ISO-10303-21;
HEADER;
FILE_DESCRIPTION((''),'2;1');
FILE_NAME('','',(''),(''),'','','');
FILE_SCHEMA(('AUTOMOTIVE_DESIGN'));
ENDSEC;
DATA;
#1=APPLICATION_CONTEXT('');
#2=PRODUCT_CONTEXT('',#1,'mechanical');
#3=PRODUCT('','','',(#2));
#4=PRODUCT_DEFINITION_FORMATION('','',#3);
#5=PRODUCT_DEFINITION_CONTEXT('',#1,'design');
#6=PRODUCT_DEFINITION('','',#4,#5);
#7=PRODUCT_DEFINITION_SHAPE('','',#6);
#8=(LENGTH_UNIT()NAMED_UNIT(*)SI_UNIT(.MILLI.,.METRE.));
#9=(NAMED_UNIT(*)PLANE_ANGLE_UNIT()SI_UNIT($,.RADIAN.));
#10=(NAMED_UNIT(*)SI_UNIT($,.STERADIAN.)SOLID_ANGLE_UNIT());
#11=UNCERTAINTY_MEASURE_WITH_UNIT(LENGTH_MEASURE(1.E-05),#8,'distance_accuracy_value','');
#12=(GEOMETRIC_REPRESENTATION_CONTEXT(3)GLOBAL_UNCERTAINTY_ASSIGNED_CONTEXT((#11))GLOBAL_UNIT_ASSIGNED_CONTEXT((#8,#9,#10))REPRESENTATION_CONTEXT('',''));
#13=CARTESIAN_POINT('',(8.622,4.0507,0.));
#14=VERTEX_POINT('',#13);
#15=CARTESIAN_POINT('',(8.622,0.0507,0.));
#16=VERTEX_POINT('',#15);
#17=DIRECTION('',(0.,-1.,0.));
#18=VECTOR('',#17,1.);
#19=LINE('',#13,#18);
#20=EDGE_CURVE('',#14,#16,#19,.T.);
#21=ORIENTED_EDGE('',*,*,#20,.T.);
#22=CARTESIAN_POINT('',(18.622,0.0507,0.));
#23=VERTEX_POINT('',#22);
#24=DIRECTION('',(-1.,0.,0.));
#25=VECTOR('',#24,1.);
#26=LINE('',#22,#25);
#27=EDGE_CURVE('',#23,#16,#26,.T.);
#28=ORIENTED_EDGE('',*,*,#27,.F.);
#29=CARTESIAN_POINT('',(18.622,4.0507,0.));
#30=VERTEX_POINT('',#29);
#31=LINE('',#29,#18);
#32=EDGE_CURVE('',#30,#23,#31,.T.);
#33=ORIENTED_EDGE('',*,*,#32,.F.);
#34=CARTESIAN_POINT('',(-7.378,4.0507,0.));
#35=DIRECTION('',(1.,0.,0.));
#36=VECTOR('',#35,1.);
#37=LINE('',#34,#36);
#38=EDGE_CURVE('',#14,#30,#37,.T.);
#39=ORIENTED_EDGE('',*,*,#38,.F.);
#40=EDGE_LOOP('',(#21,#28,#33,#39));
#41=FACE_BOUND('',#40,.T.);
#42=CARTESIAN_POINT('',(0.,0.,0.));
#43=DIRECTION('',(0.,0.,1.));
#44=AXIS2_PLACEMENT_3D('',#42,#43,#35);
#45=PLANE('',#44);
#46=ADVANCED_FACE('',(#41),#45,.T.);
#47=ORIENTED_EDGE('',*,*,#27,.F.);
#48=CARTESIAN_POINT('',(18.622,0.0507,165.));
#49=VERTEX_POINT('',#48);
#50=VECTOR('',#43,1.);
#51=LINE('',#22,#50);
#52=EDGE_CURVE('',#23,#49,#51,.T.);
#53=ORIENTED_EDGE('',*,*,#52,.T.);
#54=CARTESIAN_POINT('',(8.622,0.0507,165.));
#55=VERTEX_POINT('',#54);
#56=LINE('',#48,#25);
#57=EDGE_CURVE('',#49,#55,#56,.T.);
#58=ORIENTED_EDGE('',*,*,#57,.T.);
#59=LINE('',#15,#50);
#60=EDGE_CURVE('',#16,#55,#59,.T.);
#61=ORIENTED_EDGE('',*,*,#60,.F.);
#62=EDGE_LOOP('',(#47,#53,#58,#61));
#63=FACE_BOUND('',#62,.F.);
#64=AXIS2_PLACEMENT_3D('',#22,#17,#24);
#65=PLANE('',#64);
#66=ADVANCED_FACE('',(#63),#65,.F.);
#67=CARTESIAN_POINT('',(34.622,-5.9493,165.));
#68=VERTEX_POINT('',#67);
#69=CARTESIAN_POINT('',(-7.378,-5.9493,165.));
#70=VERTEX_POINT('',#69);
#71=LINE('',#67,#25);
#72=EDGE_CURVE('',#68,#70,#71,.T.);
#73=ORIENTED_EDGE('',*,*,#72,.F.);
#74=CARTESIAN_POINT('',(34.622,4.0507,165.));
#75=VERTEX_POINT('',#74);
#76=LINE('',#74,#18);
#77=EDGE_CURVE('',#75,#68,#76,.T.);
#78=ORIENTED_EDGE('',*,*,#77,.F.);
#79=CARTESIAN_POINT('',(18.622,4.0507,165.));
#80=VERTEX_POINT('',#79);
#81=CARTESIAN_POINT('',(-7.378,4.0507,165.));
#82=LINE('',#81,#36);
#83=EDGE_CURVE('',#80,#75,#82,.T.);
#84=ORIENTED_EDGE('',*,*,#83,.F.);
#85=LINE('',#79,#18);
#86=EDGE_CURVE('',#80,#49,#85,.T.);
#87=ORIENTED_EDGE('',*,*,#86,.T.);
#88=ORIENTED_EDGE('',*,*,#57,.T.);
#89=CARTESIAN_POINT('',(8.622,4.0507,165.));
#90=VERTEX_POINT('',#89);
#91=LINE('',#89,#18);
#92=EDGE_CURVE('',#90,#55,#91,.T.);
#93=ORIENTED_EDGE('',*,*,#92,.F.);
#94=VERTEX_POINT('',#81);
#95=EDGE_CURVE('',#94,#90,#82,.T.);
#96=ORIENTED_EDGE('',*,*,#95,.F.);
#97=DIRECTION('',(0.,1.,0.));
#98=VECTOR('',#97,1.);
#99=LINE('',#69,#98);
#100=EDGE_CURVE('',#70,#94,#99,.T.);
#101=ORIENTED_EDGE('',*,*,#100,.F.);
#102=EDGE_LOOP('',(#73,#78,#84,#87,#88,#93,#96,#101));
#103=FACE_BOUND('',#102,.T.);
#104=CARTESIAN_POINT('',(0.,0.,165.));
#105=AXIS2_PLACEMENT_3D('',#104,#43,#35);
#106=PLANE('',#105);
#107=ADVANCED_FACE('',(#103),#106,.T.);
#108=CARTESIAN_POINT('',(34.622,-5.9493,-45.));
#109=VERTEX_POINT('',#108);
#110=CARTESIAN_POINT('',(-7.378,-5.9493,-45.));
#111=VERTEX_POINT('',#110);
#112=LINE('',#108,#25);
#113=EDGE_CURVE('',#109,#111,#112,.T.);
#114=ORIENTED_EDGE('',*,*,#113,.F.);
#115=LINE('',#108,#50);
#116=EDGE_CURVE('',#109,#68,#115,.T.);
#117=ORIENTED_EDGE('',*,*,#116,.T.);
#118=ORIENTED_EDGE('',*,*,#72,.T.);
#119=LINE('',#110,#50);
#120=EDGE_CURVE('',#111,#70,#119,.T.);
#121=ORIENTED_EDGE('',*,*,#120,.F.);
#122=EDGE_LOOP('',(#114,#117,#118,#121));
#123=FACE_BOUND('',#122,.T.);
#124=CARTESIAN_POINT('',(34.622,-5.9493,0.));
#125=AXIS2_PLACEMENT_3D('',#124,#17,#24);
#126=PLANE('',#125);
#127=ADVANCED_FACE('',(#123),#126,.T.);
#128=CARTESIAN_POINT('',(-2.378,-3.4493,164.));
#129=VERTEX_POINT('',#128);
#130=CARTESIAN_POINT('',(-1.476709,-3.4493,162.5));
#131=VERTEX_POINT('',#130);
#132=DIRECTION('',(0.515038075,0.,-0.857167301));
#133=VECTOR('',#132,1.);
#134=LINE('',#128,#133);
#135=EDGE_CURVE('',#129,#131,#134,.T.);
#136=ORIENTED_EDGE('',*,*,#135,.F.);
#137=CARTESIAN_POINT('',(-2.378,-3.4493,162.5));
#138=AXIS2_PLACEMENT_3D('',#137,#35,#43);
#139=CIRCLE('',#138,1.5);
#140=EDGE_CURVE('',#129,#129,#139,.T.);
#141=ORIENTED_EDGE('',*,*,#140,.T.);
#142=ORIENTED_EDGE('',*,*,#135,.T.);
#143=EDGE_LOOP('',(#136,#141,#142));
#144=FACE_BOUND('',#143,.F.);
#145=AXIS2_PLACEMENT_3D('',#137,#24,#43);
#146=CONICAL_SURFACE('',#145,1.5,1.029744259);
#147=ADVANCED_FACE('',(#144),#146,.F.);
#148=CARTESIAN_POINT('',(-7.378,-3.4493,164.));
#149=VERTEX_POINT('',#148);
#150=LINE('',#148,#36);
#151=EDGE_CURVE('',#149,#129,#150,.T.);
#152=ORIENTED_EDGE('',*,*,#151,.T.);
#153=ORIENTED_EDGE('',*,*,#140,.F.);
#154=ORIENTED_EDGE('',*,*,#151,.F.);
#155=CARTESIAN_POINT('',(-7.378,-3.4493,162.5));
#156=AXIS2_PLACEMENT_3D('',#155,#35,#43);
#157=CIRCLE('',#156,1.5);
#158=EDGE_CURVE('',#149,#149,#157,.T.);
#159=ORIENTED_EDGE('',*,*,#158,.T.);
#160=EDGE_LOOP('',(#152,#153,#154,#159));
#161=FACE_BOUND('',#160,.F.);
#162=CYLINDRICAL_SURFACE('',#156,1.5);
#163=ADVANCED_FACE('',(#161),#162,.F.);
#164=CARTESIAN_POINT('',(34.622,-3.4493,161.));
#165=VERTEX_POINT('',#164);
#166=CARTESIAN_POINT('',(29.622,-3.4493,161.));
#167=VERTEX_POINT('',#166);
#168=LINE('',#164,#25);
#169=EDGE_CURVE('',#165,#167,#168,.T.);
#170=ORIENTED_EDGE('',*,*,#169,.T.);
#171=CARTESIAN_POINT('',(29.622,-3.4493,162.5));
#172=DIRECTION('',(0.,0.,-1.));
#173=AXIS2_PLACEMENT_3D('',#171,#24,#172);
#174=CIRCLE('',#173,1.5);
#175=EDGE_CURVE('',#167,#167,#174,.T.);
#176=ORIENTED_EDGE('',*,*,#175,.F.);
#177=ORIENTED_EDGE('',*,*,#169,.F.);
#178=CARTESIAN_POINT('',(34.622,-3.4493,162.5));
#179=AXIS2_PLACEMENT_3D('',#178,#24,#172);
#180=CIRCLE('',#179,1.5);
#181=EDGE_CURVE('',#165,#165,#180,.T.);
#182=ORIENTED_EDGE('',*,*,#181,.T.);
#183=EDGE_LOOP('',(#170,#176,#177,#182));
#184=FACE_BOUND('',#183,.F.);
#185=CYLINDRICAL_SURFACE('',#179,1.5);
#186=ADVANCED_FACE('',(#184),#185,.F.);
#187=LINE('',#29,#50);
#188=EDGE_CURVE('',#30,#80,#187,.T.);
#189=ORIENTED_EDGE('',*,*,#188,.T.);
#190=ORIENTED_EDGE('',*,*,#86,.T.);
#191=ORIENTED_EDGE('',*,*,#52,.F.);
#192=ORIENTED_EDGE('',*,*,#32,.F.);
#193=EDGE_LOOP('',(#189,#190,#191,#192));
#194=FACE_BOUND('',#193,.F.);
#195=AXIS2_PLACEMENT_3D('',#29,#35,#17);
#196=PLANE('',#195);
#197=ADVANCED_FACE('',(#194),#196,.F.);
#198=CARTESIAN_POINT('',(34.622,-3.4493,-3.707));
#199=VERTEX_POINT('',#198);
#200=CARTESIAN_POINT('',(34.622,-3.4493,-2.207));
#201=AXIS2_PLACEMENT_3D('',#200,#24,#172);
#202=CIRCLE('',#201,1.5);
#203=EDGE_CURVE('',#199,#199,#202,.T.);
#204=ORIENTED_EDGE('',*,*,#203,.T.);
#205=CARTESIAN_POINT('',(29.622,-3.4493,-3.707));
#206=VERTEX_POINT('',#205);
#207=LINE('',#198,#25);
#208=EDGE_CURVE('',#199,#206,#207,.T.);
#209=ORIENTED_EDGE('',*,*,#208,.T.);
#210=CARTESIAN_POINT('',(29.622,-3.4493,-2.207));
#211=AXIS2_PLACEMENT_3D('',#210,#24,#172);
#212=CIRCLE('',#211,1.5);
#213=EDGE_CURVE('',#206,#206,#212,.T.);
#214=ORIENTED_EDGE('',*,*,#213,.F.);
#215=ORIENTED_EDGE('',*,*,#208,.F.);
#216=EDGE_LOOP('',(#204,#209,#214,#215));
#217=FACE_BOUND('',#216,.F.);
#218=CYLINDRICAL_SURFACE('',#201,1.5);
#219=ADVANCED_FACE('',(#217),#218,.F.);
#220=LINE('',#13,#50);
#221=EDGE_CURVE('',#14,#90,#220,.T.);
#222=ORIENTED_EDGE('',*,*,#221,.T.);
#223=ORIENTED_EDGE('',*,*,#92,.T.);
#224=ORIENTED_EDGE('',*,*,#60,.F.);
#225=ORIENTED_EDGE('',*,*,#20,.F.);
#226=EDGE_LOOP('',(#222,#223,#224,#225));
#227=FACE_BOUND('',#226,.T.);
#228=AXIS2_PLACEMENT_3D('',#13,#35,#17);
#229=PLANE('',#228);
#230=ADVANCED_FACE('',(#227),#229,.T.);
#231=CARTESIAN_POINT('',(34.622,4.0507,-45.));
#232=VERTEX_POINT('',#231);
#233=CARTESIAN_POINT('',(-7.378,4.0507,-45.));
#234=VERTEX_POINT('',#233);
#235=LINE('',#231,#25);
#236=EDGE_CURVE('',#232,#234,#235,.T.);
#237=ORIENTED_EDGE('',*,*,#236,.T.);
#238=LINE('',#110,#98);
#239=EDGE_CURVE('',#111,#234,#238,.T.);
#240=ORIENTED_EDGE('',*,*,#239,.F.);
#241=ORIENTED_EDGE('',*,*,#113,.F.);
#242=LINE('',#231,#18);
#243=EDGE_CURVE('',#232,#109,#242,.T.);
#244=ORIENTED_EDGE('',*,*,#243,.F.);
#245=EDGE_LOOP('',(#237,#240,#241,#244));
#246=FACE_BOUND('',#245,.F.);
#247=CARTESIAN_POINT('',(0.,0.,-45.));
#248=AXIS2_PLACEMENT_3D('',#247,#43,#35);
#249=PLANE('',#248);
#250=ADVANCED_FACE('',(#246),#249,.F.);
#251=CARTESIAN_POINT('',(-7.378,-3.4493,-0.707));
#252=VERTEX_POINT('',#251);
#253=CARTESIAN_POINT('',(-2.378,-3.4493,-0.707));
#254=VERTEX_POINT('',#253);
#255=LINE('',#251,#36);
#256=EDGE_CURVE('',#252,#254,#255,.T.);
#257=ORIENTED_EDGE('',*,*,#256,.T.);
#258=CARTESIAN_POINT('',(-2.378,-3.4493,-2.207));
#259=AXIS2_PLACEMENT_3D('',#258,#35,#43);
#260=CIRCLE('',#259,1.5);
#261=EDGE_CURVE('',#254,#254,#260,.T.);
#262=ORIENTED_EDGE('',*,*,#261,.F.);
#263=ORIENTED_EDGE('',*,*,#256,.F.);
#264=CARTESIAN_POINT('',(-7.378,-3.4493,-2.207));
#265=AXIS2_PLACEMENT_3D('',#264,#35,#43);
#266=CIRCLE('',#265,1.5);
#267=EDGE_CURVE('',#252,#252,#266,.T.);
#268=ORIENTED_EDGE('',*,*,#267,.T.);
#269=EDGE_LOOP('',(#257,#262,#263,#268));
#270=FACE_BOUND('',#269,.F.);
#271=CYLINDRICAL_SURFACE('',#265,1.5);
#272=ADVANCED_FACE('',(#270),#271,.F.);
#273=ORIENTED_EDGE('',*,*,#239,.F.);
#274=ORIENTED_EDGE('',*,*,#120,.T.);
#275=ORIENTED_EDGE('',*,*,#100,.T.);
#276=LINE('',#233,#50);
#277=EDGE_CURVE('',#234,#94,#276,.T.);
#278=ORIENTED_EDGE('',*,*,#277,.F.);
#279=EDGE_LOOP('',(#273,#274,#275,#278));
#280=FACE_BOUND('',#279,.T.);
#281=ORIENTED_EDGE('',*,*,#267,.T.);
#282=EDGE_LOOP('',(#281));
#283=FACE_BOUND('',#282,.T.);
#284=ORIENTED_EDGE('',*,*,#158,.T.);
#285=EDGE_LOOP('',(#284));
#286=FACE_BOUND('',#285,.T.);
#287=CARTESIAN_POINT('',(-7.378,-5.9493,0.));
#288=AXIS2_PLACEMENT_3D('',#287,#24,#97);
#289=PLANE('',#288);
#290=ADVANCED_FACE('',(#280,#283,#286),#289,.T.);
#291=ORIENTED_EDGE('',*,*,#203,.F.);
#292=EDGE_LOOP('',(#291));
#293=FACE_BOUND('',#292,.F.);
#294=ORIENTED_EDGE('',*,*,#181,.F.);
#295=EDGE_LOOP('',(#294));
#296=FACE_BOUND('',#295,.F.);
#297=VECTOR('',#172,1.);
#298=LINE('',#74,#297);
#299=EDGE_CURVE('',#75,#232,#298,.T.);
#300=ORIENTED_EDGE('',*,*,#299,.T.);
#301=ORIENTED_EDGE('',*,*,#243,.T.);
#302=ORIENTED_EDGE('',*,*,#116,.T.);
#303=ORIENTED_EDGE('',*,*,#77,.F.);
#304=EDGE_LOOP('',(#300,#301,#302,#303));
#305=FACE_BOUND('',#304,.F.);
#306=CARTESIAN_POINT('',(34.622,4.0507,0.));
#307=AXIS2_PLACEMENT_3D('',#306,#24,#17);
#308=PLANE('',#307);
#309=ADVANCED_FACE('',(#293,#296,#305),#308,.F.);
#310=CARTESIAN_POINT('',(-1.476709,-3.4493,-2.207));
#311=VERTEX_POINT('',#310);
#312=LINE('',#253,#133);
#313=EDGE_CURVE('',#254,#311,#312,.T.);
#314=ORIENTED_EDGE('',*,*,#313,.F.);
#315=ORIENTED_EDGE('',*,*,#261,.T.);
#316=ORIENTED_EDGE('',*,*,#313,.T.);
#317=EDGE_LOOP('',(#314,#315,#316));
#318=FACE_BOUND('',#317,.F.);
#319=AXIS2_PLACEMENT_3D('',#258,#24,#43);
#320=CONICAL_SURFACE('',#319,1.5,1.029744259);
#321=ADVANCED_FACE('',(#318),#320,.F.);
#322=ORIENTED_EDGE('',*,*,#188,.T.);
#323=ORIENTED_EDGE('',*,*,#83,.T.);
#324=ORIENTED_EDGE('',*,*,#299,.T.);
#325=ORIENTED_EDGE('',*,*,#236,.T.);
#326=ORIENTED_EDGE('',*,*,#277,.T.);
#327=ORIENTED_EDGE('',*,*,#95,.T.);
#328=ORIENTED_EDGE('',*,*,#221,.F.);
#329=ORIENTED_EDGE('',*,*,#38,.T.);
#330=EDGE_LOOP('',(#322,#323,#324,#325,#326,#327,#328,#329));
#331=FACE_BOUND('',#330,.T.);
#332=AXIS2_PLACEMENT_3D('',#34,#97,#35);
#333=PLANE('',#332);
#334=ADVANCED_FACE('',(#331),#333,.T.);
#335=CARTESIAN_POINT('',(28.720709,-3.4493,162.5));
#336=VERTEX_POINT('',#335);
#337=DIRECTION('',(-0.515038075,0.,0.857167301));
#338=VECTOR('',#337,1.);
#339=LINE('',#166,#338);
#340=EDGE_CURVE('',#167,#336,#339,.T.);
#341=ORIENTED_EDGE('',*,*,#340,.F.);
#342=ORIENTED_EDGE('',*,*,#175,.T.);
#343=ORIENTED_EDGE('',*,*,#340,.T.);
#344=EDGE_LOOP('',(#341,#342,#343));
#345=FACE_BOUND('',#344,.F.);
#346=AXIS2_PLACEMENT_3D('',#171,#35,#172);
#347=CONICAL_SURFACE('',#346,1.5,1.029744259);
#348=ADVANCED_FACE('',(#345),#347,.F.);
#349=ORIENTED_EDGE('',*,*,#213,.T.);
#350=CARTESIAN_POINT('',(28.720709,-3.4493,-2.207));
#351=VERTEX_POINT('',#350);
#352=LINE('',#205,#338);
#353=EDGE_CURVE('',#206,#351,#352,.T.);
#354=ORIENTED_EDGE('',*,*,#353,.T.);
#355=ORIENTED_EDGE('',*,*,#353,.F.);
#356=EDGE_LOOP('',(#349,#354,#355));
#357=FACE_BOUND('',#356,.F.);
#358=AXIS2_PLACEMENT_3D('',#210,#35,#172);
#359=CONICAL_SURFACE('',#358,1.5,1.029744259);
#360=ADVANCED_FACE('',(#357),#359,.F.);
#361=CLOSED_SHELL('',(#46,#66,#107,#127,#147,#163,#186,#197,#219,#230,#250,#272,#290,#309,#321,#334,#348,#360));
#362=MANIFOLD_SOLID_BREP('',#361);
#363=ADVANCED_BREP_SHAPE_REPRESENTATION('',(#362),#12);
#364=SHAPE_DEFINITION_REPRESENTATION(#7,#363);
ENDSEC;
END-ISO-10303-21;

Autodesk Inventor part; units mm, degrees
ref_plane "YZ Plane" through (0, 0, 0) normal (1, 0, 0) x (0, 1, 0)
ref_plane "XZ Plane" through (0, 0, 0) normal (0, 1, 0) x (-1, 0, 0)
ref_plane "XY Plane" through (0, 0, 0) normal (0, 0, 1) x (1, 0, 0)
sketch "Sketch1" plane through (0, 0, 0) normal (0, 0, 1) x (1, 0, 0)
  line L0 (-7.378, 4.0507) -> (34.622, 4.0507)
  line L1 (34.622, 4.0507) -> (34.622, -5.9493)
  line L2 (34.622, -5.9493) -> (-7.378, -5.9493)
  line L3 (-7.378, -5.9493) -> (-7.378, 4.0507)
  line L4 (8.622, 4.0507) -> (8.622, 0.0507)
  line L5 (18.622, 4.0507) -> (18.622, 0.0507)
  line L6 (18.622, 0.0507) -> (8.622, 0.0507)
  point P0 (0, 0)
extrude "Extrusion1" add sketch "Sketch1" against normal blind 45
extrude "Extrusion2" add sketch "Sketch1" along normal blind 165 contours L0 L4 L6 L5 L1 L2 L3
sketch "Sketch2" plane through (34.622, -5.9493, -45) normal (1, 0, 0) x (0, 0, -1)
  line L0 (0, 0) -> (0, 10) projected
  line L1 (0, 0) -> (-210, 0) projected
  line L2 (-210, 10) -> (0, 10) projected
  circle A0 centre (-42.793, 2.5) radius 1.5
  point P0 (-45, 5.9493)
hole "Hole1" at (34.622, -3.4493, -2.207) direction (-1, 0, 0) diameter 3 depth 5 tip angle 118
sketch "Sketch3" plane through (34.622, -5.9493, -45) normal (1, 0, 0) x (0, 0, -1)
  line L0 (0, 0) -> (-210, 0) projected
  line L1 (-210, 0) -> (-207.5, 0)
  line L2 (-207.5, 0) -> (-207.5, 2.5)
  circle A0 centre (-207.5, 2.5) radius 1.5
  point P0 (-45, 5.9493)
  dimension "d19" = 2.5
  dimension "d20" = 2.5
  dimension "d21" = 3
hole "Hole2" at (34.622, -3.4493, 162.5) direction (-1, 0, 0) diameter 3 depth 5 tip angle 118
sketch "Sketch4" plane through (-7.378, -5.9493, -45) normal (-1, 0, 0) x (0, 0, 1)
  circle A0 centre (207.5, 2.5) radius 1.5 projected
  circle A1 centre (207.5, 2.5) radius 1.5
  circle A2 centre (42.793, 2.5) radius 1.5 projected
  circle A3 centre (42.793, 2.5) radius 1.5
  point P0 (45, 5.9493)
hole "Hole3" at (-7.378, -3.4493, 162.5) direction (1, 0, 0) diameter 3 depth 5 tip angle 118
hole "Hole4" at (-7.378, -3.4493, -2.207) direction (1, 0, 0) diameter 3 depth 5 tip angle 118
thread "Thread1" size "M3x0.5" class "6H" standard "ANSI Metric M Profile" full length
thread "Thread2" size "M3x0.5" class "6H" standard "ANSI Metric M Profile" full length
thread "Thread3" size "M3x0.5" class "6H" standard "ANSI Metric M Profile" full length
thread "Thread4" size "M3x0.5" class "6H" standard "ANSI Metric M Profile" full length
properties part number "sina" material "Lead"
